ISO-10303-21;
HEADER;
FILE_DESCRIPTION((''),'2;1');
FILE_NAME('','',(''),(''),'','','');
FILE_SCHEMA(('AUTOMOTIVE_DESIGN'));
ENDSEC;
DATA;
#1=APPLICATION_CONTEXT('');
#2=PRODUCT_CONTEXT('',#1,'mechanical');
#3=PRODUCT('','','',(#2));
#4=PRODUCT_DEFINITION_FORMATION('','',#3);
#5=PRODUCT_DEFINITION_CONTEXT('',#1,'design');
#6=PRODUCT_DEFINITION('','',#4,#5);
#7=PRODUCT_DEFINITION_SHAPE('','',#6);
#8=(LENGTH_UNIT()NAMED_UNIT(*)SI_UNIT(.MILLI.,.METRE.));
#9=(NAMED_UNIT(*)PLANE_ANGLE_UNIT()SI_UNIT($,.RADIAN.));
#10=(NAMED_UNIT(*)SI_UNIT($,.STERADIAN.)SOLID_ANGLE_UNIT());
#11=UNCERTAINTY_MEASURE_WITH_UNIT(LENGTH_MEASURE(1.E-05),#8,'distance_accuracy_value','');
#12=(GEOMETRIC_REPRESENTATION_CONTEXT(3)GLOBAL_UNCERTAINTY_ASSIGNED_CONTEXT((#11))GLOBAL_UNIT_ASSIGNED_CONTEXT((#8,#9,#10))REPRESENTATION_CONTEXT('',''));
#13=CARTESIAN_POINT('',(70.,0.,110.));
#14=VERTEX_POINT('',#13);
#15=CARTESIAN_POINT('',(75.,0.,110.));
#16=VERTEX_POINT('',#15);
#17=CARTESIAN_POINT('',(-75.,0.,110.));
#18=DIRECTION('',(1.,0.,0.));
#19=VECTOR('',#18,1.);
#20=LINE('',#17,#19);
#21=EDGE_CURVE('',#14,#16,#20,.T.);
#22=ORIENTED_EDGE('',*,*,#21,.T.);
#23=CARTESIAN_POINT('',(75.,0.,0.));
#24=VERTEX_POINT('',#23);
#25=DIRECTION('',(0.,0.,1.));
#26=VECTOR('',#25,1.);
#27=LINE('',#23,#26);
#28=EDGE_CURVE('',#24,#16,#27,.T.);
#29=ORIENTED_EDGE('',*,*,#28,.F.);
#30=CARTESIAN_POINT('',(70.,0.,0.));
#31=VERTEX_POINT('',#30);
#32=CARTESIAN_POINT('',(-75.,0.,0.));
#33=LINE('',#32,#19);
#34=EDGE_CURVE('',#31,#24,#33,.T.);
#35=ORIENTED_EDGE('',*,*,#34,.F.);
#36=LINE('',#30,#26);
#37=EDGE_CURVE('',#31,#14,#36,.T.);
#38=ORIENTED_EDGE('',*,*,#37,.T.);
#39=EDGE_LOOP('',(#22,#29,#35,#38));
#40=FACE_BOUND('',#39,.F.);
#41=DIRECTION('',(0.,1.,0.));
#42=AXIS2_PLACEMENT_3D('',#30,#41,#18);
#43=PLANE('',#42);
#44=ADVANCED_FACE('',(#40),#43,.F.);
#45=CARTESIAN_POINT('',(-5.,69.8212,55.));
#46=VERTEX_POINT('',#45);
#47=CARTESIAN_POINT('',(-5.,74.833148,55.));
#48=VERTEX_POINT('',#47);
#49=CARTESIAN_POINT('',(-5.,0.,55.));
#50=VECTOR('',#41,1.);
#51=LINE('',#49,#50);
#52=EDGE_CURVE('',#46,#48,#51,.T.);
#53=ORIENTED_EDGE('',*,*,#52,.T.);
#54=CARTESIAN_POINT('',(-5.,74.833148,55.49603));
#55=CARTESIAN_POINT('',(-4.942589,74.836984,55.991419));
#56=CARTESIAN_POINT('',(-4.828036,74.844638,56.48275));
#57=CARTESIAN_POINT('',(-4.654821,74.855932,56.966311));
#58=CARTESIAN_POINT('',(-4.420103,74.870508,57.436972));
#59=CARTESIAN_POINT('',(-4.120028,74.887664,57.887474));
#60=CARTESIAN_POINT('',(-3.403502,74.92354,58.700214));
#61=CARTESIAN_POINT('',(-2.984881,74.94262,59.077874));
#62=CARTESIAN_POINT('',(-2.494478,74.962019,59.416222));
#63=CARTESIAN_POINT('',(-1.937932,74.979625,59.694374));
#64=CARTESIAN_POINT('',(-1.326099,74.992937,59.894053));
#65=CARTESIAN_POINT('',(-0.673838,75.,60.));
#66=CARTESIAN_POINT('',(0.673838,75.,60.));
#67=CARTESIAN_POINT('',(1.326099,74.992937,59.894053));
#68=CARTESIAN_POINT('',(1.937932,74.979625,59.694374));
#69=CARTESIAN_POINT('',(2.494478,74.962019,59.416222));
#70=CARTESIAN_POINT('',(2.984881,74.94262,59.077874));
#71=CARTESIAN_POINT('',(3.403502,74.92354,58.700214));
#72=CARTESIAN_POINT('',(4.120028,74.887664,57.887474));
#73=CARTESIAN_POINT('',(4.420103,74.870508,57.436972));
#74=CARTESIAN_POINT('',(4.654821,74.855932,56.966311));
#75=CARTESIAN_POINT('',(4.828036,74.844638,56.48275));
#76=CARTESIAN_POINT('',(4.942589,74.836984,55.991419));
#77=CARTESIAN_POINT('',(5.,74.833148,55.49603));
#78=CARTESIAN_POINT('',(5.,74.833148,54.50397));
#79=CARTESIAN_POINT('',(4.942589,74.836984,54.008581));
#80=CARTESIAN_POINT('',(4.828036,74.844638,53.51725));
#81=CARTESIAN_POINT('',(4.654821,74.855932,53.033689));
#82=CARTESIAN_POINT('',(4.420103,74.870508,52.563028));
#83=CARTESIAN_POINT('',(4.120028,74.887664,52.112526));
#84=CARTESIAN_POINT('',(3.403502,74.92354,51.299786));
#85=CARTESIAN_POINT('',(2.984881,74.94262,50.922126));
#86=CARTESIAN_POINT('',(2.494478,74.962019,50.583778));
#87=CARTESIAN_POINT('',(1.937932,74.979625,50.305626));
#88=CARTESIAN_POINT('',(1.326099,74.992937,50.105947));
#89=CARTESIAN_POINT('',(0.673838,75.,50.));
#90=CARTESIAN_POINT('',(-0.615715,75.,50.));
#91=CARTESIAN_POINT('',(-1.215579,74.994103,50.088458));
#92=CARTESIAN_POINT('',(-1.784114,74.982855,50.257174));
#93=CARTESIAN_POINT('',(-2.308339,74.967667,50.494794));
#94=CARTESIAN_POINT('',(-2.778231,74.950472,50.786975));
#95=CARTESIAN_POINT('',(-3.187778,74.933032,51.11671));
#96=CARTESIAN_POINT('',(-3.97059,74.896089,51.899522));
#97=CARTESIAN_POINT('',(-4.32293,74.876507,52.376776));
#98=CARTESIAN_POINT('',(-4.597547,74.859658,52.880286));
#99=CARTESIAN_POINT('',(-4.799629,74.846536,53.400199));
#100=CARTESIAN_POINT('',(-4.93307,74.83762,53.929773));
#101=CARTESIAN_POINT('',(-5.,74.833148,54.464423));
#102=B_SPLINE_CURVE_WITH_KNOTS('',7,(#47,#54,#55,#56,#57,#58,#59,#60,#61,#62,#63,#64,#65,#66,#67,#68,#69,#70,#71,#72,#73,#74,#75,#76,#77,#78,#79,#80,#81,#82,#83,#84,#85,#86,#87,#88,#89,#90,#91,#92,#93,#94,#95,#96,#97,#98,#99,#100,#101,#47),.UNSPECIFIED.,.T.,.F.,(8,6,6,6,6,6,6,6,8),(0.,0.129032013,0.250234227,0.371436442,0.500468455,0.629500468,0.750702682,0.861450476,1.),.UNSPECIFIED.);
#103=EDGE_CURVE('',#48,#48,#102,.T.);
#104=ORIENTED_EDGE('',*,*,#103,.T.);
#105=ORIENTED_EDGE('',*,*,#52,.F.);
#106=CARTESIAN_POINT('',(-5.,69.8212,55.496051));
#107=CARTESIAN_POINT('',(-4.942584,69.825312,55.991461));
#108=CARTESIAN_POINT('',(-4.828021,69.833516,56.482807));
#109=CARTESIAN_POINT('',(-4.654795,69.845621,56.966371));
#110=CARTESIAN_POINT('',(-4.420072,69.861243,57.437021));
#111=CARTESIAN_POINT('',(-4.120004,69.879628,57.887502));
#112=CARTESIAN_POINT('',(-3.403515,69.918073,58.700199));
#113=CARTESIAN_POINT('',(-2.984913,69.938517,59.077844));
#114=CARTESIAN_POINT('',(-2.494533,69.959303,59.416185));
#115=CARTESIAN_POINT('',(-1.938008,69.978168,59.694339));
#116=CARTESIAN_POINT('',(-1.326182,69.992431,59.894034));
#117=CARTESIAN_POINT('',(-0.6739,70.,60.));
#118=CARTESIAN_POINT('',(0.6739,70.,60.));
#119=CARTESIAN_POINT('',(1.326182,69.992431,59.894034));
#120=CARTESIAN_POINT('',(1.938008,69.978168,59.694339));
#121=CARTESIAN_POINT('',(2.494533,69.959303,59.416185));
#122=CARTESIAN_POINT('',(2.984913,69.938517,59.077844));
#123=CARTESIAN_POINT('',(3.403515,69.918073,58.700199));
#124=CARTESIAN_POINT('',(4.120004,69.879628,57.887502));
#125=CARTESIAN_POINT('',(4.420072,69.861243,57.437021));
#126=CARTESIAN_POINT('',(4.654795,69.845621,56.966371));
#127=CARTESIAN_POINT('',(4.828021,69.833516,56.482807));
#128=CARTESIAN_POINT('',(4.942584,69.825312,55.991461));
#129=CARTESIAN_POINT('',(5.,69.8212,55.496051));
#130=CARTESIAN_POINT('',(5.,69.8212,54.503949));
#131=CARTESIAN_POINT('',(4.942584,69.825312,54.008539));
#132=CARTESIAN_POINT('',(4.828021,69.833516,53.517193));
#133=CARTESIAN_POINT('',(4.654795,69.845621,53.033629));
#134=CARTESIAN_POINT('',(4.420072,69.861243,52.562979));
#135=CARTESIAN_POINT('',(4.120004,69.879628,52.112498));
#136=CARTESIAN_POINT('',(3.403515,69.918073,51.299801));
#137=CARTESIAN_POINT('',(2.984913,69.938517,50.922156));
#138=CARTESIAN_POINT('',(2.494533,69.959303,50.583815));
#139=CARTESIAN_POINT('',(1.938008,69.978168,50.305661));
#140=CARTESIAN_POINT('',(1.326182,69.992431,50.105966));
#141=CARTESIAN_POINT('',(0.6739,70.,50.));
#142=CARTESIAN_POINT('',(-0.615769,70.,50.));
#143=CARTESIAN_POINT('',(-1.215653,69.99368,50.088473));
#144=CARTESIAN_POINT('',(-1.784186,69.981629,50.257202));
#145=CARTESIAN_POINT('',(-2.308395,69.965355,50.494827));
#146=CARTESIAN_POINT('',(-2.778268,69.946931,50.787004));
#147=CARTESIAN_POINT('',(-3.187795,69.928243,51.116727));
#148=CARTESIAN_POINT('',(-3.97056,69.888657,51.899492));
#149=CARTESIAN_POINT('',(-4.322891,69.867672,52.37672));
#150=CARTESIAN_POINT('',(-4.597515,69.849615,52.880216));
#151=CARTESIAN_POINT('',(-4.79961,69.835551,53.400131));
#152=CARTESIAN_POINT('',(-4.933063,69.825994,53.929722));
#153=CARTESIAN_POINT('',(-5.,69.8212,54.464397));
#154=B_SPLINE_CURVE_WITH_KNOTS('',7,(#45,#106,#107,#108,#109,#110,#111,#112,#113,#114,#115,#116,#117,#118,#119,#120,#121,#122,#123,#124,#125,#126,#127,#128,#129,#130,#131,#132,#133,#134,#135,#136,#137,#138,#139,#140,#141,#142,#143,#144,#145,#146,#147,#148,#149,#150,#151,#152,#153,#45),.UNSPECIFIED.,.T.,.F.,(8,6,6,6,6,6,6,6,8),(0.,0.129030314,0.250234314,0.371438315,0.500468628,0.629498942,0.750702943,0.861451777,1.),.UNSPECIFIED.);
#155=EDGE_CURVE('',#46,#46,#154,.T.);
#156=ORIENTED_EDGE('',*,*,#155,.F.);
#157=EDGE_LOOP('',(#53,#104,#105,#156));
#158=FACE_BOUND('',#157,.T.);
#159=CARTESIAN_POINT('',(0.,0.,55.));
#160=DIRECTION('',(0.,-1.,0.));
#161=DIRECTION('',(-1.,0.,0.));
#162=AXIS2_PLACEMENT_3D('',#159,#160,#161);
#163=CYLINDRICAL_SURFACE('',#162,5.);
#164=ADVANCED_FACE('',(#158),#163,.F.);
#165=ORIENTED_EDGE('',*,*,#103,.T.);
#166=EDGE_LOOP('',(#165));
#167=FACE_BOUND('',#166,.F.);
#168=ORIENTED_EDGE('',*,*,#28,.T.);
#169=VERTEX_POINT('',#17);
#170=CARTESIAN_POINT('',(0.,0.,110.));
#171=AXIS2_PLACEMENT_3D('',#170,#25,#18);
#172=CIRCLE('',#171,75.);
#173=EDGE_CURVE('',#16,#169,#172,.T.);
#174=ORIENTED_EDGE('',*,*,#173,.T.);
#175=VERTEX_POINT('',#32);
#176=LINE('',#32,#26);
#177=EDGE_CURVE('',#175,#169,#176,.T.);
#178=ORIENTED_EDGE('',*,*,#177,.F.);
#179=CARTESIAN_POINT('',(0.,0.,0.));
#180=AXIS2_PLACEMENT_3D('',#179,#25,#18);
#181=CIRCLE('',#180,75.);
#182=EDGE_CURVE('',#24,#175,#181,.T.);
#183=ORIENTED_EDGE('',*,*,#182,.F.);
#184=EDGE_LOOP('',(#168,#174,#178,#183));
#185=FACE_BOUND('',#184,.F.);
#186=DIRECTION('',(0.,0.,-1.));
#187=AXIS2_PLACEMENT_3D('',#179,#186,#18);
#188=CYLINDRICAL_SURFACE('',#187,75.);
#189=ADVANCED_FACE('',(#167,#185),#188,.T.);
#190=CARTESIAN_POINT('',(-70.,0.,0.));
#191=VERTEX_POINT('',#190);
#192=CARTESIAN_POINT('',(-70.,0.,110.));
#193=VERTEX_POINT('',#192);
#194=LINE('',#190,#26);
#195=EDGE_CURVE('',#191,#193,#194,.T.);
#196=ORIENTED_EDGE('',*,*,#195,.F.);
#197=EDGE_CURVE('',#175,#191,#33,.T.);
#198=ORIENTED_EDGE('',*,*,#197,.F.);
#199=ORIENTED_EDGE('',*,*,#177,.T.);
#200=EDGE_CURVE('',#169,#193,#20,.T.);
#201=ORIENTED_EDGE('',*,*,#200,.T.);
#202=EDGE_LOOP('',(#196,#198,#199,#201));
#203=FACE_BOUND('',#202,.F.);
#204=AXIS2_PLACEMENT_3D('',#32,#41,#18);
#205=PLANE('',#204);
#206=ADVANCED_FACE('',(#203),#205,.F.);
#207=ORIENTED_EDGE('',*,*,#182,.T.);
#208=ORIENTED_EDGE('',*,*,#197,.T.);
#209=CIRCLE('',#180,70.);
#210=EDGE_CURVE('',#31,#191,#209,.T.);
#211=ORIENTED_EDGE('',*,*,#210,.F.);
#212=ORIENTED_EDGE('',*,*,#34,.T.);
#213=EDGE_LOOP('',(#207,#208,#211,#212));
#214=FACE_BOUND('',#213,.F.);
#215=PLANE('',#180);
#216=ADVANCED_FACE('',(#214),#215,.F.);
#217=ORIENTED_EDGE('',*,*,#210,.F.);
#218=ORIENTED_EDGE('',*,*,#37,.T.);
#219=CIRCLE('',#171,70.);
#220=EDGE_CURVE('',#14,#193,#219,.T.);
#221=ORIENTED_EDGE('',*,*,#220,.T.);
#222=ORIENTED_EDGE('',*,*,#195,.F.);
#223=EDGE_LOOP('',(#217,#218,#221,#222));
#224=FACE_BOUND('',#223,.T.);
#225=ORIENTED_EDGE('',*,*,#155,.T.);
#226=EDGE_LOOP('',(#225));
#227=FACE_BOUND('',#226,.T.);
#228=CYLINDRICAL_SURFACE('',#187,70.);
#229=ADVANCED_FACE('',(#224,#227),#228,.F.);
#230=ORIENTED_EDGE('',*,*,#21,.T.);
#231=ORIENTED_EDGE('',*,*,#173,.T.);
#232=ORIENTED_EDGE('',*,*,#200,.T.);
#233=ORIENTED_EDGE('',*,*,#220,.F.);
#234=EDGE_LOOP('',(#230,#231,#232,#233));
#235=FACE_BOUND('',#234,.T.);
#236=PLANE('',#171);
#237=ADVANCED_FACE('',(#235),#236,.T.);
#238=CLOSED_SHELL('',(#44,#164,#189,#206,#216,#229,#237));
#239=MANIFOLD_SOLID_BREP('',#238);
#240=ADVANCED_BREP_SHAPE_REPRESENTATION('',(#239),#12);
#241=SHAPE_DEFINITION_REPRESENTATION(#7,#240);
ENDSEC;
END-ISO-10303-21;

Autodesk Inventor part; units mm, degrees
ref_plane "YZ Plane" through (0, 0, 0) normal (1, 0, 0) x (0, 1, 0)
ref_plane "XZ Plane" through (0, 0, 0) normal (0, 1, 0) x (-1, 0, 0)
ref_plane "XY Plane" through (0, 0, 0) normal (0, 0, 1) x (1, 0, 0)
sketch "Эскиз1" plane through (0, 0, 0) normal (0, 0, 1) x (1, 0, 0)
  circle A0 centre (0, 0) radius 75
  circle A1 centre (0, 0) radius 70
  line L0 (-75, 0) -> (75, 0)
  point P0 (70, 0)
  point P1 (-70, 0)
  dimension "d0" = 150
  dimension "d1" = 140
extrude "Выдавливание1" add sketch "Эскиз1" along normal blind 110 contours L0 A1 A0 picked at (0, 71.5073)
sketch "Эскиз2" plane through (0, 0, 0) normal (0, 1, 0) x (-1, 0, 0)
  line L0 (-75, 0) -> (75, 0) projected
  line L1 (75, 0) -> (75, 110) projected
  line L2 (-75, 110) -> (75, 110) projected
  line L3 (-75, 0) -> (-75, 110) projected
  circle A0 centre (0, 55) radius 5
  point P0 (0, 0)
  dimension "d4" = 10
extrude "Выдавливание2" cut sketch "Эскиз2" along normal blind 110 contours A0
properties part number "Под шатун" material "Бронза, литейная"
